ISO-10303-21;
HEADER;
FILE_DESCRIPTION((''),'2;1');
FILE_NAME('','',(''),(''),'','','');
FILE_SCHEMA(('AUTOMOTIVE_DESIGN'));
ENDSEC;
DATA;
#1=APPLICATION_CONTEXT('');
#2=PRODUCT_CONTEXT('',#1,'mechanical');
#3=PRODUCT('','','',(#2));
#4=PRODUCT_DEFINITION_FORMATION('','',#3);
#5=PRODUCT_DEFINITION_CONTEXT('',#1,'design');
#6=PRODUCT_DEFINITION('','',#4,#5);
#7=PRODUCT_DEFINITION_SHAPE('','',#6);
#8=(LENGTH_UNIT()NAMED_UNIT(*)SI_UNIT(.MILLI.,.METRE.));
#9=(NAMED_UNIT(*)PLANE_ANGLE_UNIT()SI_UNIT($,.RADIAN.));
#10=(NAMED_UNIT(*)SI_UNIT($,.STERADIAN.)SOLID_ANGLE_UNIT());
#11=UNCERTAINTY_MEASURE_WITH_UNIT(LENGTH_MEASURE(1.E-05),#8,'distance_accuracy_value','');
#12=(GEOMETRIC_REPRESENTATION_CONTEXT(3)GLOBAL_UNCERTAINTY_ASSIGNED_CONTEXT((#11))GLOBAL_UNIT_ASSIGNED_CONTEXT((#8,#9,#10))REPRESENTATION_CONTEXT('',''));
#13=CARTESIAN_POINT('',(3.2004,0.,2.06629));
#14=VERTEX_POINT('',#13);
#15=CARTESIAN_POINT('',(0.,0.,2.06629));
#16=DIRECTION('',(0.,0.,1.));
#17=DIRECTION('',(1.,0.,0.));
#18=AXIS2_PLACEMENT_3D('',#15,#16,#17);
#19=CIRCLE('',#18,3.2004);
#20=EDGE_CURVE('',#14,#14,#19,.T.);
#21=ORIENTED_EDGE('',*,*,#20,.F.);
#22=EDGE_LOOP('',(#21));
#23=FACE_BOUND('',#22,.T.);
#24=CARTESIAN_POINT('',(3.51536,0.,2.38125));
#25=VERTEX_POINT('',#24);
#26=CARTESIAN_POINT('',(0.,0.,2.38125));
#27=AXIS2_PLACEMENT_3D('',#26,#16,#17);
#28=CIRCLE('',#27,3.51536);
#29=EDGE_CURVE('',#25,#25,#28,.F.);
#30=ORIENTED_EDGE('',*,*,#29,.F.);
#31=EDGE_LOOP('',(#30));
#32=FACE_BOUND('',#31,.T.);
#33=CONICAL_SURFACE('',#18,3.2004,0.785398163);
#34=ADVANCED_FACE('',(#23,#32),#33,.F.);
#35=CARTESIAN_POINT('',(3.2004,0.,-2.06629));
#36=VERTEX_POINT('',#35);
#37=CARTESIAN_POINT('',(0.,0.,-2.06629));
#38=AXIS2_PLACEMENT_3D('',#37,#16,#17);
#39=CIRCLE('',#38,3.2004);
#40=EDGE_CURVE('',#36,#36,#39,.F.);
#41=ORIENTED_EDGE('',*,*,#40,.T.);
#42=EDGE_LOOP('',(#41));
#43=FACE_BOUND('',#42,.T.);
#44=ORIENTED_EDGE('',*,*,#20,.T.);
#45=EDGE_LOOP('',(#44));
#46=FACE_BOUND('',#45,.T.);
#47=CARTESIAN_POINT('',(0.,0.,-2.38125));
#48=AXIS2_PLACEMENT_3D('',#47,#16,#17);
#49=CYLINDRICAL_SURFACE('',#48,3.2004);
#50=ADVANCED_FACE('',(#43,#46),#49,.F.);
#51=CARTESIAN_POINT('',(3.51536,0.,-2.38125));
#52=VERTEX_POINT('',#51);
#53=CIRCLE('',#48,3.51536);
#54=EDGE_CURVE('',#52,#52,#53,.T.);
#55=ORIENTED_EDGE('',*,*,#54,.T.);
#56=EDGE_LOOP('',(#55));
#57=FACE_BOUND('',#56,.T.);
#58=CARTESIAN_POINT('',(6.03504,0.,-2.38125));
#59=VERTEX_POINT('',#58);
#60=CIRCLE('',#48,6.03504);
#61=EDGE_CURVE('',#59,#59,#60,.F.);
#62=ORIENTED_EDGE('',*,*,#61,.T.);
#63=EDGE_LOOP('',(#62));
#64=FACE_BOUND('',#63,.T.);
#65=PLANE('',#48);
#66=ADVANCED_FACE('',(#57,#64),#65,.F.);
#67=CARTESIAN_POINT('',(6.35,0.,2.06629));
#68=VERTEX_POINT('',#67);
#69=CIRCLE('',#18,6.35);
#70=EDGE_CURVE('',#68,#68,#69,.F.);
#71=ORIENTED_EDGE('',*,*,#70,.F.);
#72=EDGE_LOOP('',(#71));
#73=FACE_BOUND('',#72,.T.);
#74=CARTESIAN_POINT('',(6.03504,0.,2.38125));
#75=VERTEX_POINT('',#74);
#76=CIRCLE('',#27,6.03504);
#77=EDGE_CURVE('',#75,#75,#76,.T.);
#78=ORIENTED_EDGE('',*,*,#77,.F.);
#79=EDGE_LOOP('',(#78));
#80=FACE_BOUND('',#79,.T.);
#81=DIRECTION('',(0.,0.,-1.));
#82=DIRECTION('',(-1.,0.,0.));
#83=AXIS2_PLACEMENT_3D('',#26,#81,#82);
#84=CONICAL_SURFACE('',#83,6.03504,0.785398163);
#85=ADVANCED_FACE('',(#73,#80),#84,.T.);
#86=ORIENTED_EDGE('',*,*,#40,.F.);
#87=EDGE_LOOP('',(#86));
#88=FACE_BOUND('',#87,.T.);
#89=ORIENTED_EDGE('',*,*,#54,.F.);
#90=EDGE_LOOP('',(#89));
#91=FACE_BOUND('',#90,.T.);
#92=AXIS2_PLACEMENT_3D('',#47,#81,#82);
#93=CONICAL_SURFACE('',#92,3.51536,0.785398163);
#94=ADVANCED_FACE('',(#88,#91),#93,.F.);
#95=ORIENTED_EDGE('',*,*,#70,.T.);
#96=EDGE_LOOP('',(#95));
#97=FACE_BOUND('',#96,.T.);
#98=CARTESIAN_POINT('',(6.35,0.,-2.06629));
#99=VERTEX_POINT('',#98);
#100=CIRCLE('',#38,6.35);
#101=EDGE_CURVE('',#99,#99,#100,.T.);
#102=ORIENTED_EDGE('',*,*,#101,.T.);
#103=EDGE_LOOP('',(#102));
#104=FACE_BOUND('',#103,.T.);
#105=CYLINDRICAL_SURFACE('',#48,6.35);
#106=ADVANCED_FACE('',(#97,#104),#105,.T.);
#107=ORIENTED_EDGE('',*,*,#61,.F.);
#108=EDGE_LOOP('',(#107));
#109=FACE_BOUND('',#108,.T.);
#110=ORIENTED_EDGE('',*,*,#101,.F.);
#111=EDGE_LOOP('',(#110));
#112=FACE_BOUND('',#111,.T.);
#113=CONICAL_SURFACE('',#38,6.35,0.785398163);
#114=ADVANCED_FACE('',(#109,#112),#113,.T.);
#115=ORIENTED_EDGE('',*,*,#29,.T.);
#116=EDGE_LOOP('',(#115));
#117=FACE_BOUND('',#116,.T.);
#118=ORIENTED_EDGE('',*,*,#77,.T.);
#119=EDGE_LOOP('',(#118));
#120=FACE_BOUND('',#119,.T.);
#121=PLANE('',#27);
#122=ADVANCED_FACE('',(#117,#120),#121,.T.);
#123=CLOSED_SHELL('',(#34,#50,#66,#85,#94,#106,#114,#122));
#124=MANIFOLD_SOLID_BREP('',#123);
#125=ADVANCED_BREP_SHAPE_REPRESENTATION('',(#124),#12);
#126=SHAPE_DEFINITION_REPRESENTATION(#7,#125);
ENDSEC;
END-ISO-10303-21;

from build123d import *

# Parameters (mm, degrees)
SKETCH3_R                = 6.35
SKETCH3_R_2              = 3.2004
BOSS_EXTRUDE1_DEPTH      = 2.38125
BOSS_EXTRUDE1_DEPTH_BACK = 2.38125
CHAMFER1_SIZE            = 0.31496


with BuildPart() as part:
    # Sketch3 → Boss-Extrude1 (new body, two sides)
    with BuildSketch(Plane.XY) as boss_extrude1_sk:
        Circle(SKETCH3_R)
        Circle(SKETCH3_R_2, mode=Mode.SUBTRACT)
    extrude(amount=BOSS_EXTRUDE1_DEPTH)
    extrude(boss_extrude1_sk.sketch, amount=-BOSS_EXTRUDE1_DEPTH_BACK)

    # Chamfer1
    chamfer1_edges = [part.edges().sort_by_distance(p)[0] for p in [
        (-6.35, 0, -2.38125),
        (-3.2004, 0, -2.38125),
        (-6.35, 0, 2.38125),
        (-3.2004, 0, 2.38125),
    ]]
    chamfer(chamfer1_edges, length=CHAMFER1_SIZE)


solid = part.part
